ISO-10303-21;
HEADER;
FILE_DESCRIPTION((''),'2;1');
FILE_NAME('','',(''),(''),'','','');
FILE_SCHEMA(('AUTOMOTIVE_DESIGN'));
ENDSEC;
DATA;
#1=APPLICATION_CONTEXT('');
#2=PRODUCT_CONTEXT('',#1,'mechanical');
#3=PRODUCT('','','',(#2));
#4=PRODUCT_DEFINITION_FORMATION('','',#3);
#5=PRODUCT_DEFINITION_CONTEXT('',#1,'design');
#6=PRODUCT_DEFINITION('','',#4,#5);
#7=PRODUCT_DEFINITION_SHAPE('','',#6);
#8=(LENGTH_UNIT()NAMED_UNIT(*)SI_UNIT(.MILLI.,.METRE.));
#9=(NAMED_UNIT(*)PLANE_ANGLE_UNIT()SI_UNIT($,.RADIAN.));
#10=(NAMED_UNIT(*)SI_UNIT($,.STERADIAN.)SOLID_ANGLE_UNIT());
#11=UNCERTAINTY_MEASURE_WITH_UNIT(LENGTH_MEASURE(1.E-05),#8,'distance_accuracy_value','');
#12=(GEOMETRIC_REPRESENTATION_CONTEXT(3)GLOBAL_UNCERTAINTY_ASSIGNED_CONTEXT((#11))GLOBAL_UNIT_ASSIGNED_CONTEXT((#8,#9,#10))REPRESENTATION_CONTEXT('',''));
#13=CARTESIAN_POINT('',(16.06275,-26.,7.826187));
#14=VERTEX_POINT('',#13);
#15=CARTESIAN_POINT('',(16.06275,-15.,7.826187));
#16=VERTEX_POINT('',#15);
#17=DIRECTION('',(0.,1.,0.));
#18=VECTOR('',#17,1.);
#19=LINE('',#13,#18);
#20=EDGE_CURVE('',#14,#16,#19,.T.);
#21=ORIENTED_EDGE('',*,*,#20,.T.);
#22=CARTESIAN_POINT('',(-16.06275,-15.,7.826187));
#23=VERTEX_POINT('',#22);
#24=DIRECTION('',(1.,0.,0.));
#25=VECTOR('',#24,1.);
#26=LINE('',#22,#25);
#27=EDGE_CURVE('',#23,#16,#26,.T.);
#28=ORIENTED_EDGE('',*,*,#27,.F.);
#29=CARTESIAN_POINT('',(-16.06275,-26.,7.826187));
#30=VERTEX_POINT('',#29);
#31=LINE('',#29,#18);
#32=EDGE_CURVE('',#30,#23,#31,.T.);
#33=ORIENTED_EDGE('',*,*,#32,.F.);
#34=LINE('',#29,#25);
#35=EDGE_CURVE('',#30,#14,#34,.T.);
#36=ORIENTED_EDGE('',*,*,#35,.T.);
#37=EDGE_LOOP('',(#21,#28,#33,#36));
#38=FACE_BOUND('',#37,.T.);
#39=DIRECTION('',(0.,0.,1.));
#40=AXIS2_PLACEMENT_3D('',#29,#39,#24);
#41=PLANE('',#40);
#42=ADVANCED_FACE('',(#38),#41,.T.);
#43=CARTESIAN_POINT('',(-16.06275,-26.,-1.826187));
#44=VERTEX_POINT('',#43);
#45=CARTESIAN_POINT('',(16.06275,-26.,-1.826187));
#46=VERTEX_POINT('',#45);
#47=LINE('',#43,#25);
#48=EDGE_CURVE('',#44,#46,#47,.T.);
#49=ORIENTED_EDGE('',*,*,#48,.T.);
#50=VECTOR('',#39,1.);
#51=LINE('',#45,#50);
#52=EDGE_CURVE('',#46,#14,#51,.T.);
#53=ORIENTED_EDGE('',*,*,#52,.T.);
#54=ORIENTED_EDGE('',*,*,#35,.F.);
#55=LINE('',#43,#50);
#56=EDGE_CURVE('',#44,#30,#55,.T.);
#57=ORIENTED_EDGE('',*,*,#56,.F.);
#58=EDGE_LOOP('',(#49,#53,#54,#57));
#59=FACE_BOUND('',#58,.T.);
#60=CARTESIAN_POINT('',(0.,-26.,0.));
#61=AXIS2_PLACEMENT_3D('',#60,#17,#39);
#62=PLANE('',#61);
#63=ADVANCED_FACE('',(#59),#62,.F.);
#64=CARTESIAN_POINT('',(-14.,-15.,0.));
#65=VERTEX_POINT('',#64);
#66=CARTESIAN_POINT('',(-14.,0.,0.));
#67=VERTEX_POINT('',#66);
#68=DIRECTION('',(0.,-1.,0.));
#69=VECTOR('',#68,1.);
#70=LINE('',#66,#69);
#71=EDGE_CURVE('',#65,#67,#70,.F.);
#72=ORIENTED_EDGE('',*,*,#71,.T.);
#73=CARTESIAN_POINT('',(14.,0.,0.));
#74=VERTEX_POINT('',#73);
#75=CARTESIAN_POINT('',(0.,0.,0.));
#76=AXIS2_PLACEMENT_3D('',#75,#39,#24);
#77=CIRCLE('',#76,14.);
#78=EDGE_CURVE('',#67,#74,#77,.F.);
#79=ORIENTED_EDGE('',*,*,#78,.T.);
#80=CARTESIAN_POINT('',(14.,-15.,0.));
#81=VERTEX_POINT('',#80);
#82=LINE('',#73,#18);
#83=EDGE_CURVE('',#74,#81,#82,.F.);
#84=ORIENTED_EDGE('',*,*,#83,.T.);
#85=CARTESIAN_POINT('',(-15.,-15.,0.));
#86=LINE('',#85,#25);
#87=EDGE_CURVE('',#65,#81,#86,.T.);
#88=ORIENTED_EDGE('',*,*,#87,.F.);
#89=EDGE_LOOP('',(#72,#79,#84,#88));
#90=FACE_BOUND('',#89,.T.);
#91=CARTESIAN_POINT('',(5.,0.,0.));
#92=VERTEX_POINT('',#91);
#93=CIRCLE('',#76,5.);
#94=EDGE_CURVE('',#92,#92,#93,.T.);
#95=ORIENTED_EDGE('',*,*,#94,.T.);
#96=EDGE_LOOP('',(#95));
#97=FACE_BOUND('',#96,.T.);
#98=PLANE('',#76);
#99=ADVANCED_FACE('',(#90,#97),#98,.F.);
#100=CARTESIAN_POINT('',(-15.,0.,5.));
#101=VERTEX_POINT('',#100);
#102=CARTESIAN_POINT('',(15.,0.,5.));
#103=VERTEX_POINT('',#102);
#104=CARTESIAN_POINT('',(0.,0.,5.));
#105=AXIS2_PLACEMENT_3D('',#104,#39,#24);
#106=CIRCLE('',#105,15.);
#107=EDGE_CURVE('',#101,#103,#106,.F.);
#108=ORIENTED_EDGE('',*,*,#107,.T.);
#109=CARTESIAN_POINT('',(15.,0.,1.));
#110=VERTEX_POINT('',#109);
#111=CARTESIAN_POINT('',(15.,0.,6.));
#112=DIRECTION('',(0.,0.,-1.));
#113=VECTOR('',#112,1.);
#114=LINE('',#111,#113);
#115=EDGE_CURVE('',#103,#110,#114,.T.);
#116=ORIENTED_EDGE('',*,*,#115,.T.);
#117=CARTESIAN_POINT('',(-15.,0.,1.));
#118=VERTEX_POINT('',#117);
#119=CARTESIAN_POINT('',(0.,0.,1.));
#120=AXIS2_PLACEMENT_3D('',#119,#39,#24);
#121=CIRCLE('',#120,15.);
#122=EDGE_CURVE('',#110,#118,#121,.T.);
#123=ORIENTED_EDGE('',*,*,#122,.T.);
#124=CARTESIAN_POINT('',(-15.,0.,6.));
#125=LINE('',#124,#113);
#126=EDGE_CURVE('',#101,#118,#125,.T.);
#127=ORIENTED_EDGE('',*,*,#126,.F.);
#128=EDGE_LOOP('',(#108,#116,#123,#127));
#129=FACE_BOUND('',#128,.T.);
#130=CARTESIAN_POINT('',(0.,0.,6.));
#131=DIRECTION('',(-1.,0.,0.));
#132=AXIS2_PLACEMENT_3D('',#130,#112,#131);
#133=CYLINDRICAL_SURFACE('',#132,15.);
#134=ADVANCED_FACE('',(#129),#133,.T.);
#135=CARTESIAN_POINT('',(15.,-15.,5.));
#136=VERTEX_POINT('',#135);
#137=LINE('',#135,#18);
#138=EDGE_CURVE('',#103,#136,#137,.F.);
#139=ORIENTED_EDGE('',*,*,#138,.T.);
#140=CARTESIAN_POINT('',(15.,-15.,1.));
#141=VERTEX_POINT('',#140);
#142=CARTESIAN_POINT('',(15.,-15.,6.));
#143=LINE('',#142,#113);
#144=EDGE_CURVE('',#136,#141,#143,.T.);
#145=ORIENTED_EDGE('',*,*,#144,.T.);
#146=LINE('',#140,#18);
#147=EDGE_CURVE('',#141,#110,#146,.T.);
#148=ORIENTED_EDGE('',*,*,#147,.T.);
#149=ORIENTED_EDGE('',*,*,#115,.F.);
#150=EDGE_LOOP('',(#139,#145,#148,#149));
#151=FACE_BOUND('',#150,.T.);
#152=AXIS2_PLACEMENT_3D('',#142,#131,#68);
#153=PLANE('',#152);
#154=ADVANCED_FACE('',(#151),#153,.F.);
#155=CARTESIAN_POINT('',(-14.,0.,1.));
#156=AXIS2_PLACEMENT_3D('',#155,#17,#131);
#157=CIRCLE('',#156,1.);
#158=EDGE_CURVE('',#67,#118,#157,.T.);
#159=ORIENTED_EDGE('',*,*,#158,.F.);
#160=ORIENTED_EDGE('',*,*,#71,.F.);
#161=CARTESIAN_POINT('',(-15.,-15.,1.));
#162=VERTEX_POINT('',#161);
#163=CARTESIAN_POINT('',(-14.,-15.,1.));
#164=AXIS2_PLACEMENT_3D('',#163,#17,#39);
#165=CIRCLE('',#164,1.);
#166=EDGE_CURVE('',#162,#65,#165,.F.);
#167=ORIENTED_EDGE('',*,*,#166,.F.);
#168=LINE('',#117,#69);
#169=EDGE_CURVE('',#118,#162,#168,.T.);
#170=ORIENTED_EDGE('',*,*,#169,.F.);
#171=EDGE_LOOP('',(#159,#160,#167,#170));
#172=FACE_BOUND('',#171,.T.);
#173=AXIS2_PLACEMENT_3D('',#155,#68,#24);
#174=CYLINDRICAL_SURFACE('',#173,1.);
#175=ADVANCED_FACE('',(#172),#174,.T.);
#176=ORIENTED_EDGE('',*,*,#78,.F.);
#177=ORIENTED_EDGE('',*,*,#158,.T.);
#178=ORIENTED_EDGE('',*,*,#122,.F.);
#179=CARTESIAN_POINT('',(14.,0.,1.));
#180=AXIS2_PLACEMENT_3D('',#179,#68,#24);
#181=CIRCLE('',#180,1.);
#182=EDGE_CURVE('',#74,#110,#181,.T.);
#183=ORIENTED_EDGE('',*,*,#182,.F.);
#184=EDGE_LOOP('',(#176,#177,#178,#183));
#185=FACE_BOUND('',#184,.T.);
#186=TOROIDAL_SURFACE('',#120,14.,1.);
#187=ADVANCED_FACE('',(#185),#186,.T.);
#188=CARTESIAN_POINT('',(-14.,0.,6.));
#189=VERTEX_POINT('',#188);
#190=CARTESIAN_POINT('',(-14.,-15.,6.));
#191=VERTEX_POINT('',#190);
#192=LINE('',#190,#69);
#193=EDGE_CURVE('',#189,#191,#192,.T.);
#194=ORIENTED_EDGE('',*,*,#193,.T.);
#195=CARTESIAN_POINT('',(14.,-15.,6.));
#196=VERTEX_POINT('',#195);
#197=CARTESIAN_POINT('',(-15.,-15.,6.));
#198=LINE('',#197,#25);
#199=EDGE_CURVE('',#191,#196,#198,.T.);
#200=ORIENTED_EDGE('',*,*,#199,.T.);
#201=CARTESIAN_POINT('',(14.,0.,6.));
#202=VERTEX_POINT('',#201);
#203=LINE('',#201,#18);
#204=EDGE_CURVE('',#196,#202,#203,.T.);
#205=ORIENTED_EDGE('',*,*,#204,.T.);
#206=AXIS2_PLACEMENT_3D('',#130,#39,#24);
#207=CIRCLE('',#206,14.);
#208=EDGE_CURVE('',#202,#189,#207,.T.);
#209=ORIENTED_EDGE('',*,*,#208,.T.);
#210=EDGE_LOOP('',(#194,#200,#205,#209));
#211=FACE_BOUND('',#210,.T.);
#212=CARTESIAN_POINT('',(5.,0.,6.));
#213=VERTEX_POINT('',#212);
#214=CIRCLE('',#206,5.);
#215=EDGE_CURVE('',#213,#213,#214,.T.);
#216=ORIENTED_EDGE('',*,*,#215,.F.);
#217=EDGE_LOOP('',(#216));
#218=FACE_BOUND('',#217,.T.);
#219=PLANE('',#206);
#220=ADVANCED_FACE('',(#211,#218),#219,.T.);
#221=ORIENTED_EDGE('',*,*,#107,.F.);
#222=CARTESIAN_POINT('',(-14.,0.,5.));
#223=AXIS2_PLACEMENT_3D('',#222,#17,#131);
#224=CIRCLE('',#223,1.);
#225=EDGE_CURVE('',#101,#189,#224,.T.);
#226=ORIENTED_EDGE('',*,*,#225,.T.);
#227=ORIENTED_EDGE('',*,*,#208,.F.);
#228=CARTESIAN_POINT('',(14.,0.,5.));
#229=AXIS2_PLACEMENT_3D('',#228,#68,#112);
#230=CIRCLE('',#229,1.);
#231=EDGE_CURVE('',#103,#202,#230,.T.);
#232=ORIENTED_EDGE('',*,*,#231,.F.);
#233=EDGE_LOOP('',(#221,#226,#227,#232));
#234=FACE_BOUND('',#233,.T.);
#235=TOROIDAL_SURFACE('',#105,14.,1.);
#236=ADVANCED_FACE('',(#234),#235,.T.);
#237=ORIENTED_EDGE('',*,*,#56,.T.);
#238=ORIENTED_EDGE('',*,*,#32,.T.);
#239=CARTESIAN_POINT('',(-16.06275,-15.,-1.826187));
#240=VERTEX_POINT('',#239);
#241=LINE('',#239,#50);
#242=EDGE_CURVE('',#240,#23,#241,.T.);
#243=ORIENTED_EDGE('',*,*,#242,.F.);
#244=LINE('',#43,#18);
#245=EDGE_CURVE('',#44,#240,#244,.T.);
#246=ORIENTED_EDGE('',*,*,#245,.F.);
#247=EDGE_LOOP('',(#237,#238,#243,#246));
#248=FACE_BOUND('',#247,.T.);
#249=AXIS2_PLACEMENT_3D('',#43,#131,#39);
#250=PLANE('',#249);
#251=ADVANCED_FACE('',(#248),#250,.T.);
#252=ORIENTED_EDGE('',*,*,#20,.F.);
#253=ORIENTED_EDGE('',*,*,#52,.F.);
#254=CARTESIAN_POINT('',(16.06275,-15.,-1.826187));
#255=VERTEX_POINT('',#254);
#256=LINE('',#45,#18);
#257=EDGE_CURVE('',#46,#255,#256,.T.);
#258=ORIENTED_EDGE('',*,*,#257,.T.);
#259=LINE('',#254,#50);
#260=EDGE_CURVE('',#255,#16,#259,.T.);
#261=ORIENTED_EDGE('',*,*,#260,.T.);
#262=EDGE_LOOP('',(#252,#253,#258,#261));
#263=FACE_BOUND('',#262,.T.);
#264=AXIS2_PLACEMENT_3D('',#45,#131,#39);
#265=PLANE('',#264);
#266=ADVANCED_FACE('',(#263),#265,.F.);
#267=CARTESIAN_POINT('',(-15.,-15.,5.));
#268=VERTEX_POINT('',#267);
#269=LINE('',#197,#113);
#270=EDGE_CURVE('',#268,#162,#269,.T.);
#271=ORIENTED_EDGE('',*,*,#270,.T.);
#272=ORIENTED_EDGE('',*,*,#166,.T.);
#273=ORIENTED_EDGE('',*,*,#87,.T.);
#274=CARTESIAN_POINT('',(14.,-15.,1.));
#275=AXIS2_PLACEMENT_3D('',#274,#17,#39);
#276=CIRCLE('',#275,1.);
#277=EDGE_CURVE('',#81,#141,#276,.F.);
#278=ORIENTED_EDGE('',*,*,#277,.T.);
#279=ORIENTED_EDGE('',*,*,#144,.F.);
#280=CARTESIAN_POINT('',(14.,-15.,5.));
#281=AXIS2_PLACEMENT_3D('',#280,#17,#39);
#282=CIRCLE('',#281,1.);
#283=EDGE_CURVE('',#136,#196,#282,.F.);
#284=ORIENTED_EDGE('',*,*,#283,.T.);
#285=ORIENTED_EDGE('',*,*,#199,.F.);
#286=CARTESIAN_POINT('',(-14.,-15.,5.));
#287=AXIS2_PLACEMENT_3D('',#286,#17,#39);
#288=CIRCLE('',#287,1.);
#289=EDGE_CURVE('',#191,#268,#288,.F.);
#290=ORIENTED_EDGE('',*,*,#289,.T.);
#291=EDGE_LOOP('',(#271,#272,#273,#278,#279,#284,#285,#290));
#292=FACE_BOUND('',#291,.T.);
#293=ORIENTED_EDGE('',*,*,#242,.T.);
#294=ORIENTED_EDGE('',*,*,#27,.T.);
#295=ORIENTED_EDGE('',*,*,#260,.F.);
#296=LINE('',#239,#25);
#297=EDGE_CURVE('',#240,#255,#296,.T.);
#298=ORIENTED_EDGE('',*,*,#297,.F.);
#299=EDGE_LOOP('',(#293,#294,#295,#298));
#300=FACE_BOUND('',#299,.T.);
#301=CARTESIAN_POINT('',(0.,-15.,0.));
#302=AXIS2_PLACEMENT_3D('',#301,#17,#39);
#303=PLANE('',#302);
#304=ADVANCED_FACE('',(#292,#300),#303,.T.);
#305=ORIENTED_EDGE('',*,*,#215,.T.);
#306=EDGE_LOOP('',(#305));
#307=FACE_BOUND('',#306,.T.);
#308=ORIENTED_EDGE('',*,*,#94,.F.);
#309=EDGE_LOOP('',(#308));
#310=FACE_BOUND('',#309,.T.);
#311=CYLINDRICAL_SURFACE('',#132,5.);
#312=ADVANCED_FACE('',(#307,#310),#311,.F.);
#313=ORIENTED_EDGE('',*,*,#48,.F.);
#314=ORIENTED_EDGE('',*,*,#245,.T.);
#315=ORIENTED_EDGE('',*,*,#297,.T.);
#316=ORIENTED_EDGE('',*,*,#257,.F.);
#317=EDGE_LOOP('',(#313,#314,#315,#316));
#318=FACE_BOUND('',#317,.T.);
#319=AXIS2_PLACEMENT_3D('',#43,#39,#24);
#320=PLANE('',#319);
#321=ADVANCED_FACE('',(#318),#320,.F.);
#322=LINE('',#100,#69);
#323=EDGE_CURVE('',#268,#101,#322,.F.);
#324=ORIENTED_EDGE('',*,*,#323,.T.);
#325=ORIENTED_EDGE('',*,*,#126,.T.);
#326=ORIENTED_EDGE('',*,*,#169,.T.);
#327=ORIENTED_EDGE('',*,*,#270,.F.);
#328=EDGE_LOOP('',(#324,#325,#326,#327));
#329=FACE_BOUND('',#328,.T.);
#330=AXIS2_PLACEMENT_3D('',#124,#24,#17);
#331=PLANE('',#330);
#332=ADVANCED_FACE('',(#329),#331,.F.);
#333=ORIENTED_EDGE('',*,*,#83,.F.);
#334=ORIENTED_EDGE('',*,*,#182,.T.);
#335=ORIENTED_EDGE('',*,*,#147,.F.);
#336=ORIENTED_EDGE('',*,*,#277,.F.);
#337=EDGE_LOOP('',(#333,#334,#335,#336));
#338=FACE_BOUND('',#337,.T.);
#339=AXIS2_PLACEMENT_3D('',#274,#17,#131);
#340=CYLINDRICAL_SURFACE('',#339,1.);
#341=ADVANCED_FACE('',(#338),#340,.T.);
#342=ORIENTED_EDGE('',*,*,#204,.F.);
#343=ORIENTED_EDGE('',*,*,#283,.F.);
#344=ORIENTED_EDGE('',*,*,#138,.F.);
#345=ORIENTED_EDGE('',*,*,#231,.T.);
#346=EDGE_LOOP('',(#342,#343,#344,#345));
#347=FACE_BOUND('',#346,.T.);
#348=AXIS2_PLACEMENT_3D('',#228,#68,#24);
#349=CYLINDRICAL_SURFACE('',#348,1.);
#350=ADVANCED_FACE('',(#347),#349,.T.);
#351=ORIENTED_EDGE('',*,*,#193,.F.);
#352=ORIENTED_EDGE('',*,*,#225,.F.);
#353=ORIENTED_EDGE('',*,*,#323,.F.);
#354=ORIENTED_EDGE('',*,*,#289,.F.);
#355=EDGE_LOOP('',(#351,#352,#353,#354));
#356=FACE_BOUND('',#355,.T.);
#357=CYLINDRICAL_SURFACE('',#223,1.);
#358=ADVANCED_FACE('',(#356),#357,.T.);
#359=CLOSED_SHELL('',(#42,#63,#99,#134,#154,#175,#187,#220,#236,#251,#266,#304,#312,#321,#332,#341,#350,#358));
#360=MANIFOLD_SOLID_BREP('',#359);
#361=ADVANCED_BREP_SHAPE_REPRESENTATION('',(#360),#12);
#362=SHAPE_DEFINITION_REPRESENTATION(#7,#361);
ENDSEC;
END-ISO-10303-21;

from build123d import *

# Parameters (mm, degrees)
SKETCH1_R           = 5
BOSS_EXTRUDE1_DEPTH = 6
FILLET1_R           = 1
SKETCH2_W           = 32.125499546
SKETCH2_H           = 9.652373674
BOSS_EXTRUDE2_DEPTH = 11


with BuildPart() as part:
    # Sketch1 → Boss-Extrude1 (new body)
    with BuildSketch(Plane.XY):
        with BuildLine():
            Line((-15, 0), (-15, -15))
            Line((-15, -15), (15, -15))
            Line((15, -15), (15, 0))
            ThreePointArc((15, 0), (0, 15), (-15, 0))
        make_face()
        Circle(SKETCH1_R, mode=Mode.SUBTRACT)
    extrude(amount=BOSS_EXTRUDE1_DEPTH)

    # Fillet1
    fillet1_edges = [part.edges().sort_by_distance(p)[0] for p in [
        (15, -7.5, 6),
        (0, 15, 6),
        (15, -7.5, 0),
        (-15, -7.5, 0),
        (0, 15, 0),
        (-15, -7.5, 6),
    ]]
    fillet(fillet1_edges, radius=FILLET1_R)

    # Sketch2 → Boss-Extrude2 (add)
    with BuildSketch(Plane.XZ.offset(15)):
        with Locations((0, 3)):
            Rectangle(SKETCH2_W, SKETCH2_H)
    extrude(amount=BOSS_EXTRUDE2_DEPTH)


solid = part.part
